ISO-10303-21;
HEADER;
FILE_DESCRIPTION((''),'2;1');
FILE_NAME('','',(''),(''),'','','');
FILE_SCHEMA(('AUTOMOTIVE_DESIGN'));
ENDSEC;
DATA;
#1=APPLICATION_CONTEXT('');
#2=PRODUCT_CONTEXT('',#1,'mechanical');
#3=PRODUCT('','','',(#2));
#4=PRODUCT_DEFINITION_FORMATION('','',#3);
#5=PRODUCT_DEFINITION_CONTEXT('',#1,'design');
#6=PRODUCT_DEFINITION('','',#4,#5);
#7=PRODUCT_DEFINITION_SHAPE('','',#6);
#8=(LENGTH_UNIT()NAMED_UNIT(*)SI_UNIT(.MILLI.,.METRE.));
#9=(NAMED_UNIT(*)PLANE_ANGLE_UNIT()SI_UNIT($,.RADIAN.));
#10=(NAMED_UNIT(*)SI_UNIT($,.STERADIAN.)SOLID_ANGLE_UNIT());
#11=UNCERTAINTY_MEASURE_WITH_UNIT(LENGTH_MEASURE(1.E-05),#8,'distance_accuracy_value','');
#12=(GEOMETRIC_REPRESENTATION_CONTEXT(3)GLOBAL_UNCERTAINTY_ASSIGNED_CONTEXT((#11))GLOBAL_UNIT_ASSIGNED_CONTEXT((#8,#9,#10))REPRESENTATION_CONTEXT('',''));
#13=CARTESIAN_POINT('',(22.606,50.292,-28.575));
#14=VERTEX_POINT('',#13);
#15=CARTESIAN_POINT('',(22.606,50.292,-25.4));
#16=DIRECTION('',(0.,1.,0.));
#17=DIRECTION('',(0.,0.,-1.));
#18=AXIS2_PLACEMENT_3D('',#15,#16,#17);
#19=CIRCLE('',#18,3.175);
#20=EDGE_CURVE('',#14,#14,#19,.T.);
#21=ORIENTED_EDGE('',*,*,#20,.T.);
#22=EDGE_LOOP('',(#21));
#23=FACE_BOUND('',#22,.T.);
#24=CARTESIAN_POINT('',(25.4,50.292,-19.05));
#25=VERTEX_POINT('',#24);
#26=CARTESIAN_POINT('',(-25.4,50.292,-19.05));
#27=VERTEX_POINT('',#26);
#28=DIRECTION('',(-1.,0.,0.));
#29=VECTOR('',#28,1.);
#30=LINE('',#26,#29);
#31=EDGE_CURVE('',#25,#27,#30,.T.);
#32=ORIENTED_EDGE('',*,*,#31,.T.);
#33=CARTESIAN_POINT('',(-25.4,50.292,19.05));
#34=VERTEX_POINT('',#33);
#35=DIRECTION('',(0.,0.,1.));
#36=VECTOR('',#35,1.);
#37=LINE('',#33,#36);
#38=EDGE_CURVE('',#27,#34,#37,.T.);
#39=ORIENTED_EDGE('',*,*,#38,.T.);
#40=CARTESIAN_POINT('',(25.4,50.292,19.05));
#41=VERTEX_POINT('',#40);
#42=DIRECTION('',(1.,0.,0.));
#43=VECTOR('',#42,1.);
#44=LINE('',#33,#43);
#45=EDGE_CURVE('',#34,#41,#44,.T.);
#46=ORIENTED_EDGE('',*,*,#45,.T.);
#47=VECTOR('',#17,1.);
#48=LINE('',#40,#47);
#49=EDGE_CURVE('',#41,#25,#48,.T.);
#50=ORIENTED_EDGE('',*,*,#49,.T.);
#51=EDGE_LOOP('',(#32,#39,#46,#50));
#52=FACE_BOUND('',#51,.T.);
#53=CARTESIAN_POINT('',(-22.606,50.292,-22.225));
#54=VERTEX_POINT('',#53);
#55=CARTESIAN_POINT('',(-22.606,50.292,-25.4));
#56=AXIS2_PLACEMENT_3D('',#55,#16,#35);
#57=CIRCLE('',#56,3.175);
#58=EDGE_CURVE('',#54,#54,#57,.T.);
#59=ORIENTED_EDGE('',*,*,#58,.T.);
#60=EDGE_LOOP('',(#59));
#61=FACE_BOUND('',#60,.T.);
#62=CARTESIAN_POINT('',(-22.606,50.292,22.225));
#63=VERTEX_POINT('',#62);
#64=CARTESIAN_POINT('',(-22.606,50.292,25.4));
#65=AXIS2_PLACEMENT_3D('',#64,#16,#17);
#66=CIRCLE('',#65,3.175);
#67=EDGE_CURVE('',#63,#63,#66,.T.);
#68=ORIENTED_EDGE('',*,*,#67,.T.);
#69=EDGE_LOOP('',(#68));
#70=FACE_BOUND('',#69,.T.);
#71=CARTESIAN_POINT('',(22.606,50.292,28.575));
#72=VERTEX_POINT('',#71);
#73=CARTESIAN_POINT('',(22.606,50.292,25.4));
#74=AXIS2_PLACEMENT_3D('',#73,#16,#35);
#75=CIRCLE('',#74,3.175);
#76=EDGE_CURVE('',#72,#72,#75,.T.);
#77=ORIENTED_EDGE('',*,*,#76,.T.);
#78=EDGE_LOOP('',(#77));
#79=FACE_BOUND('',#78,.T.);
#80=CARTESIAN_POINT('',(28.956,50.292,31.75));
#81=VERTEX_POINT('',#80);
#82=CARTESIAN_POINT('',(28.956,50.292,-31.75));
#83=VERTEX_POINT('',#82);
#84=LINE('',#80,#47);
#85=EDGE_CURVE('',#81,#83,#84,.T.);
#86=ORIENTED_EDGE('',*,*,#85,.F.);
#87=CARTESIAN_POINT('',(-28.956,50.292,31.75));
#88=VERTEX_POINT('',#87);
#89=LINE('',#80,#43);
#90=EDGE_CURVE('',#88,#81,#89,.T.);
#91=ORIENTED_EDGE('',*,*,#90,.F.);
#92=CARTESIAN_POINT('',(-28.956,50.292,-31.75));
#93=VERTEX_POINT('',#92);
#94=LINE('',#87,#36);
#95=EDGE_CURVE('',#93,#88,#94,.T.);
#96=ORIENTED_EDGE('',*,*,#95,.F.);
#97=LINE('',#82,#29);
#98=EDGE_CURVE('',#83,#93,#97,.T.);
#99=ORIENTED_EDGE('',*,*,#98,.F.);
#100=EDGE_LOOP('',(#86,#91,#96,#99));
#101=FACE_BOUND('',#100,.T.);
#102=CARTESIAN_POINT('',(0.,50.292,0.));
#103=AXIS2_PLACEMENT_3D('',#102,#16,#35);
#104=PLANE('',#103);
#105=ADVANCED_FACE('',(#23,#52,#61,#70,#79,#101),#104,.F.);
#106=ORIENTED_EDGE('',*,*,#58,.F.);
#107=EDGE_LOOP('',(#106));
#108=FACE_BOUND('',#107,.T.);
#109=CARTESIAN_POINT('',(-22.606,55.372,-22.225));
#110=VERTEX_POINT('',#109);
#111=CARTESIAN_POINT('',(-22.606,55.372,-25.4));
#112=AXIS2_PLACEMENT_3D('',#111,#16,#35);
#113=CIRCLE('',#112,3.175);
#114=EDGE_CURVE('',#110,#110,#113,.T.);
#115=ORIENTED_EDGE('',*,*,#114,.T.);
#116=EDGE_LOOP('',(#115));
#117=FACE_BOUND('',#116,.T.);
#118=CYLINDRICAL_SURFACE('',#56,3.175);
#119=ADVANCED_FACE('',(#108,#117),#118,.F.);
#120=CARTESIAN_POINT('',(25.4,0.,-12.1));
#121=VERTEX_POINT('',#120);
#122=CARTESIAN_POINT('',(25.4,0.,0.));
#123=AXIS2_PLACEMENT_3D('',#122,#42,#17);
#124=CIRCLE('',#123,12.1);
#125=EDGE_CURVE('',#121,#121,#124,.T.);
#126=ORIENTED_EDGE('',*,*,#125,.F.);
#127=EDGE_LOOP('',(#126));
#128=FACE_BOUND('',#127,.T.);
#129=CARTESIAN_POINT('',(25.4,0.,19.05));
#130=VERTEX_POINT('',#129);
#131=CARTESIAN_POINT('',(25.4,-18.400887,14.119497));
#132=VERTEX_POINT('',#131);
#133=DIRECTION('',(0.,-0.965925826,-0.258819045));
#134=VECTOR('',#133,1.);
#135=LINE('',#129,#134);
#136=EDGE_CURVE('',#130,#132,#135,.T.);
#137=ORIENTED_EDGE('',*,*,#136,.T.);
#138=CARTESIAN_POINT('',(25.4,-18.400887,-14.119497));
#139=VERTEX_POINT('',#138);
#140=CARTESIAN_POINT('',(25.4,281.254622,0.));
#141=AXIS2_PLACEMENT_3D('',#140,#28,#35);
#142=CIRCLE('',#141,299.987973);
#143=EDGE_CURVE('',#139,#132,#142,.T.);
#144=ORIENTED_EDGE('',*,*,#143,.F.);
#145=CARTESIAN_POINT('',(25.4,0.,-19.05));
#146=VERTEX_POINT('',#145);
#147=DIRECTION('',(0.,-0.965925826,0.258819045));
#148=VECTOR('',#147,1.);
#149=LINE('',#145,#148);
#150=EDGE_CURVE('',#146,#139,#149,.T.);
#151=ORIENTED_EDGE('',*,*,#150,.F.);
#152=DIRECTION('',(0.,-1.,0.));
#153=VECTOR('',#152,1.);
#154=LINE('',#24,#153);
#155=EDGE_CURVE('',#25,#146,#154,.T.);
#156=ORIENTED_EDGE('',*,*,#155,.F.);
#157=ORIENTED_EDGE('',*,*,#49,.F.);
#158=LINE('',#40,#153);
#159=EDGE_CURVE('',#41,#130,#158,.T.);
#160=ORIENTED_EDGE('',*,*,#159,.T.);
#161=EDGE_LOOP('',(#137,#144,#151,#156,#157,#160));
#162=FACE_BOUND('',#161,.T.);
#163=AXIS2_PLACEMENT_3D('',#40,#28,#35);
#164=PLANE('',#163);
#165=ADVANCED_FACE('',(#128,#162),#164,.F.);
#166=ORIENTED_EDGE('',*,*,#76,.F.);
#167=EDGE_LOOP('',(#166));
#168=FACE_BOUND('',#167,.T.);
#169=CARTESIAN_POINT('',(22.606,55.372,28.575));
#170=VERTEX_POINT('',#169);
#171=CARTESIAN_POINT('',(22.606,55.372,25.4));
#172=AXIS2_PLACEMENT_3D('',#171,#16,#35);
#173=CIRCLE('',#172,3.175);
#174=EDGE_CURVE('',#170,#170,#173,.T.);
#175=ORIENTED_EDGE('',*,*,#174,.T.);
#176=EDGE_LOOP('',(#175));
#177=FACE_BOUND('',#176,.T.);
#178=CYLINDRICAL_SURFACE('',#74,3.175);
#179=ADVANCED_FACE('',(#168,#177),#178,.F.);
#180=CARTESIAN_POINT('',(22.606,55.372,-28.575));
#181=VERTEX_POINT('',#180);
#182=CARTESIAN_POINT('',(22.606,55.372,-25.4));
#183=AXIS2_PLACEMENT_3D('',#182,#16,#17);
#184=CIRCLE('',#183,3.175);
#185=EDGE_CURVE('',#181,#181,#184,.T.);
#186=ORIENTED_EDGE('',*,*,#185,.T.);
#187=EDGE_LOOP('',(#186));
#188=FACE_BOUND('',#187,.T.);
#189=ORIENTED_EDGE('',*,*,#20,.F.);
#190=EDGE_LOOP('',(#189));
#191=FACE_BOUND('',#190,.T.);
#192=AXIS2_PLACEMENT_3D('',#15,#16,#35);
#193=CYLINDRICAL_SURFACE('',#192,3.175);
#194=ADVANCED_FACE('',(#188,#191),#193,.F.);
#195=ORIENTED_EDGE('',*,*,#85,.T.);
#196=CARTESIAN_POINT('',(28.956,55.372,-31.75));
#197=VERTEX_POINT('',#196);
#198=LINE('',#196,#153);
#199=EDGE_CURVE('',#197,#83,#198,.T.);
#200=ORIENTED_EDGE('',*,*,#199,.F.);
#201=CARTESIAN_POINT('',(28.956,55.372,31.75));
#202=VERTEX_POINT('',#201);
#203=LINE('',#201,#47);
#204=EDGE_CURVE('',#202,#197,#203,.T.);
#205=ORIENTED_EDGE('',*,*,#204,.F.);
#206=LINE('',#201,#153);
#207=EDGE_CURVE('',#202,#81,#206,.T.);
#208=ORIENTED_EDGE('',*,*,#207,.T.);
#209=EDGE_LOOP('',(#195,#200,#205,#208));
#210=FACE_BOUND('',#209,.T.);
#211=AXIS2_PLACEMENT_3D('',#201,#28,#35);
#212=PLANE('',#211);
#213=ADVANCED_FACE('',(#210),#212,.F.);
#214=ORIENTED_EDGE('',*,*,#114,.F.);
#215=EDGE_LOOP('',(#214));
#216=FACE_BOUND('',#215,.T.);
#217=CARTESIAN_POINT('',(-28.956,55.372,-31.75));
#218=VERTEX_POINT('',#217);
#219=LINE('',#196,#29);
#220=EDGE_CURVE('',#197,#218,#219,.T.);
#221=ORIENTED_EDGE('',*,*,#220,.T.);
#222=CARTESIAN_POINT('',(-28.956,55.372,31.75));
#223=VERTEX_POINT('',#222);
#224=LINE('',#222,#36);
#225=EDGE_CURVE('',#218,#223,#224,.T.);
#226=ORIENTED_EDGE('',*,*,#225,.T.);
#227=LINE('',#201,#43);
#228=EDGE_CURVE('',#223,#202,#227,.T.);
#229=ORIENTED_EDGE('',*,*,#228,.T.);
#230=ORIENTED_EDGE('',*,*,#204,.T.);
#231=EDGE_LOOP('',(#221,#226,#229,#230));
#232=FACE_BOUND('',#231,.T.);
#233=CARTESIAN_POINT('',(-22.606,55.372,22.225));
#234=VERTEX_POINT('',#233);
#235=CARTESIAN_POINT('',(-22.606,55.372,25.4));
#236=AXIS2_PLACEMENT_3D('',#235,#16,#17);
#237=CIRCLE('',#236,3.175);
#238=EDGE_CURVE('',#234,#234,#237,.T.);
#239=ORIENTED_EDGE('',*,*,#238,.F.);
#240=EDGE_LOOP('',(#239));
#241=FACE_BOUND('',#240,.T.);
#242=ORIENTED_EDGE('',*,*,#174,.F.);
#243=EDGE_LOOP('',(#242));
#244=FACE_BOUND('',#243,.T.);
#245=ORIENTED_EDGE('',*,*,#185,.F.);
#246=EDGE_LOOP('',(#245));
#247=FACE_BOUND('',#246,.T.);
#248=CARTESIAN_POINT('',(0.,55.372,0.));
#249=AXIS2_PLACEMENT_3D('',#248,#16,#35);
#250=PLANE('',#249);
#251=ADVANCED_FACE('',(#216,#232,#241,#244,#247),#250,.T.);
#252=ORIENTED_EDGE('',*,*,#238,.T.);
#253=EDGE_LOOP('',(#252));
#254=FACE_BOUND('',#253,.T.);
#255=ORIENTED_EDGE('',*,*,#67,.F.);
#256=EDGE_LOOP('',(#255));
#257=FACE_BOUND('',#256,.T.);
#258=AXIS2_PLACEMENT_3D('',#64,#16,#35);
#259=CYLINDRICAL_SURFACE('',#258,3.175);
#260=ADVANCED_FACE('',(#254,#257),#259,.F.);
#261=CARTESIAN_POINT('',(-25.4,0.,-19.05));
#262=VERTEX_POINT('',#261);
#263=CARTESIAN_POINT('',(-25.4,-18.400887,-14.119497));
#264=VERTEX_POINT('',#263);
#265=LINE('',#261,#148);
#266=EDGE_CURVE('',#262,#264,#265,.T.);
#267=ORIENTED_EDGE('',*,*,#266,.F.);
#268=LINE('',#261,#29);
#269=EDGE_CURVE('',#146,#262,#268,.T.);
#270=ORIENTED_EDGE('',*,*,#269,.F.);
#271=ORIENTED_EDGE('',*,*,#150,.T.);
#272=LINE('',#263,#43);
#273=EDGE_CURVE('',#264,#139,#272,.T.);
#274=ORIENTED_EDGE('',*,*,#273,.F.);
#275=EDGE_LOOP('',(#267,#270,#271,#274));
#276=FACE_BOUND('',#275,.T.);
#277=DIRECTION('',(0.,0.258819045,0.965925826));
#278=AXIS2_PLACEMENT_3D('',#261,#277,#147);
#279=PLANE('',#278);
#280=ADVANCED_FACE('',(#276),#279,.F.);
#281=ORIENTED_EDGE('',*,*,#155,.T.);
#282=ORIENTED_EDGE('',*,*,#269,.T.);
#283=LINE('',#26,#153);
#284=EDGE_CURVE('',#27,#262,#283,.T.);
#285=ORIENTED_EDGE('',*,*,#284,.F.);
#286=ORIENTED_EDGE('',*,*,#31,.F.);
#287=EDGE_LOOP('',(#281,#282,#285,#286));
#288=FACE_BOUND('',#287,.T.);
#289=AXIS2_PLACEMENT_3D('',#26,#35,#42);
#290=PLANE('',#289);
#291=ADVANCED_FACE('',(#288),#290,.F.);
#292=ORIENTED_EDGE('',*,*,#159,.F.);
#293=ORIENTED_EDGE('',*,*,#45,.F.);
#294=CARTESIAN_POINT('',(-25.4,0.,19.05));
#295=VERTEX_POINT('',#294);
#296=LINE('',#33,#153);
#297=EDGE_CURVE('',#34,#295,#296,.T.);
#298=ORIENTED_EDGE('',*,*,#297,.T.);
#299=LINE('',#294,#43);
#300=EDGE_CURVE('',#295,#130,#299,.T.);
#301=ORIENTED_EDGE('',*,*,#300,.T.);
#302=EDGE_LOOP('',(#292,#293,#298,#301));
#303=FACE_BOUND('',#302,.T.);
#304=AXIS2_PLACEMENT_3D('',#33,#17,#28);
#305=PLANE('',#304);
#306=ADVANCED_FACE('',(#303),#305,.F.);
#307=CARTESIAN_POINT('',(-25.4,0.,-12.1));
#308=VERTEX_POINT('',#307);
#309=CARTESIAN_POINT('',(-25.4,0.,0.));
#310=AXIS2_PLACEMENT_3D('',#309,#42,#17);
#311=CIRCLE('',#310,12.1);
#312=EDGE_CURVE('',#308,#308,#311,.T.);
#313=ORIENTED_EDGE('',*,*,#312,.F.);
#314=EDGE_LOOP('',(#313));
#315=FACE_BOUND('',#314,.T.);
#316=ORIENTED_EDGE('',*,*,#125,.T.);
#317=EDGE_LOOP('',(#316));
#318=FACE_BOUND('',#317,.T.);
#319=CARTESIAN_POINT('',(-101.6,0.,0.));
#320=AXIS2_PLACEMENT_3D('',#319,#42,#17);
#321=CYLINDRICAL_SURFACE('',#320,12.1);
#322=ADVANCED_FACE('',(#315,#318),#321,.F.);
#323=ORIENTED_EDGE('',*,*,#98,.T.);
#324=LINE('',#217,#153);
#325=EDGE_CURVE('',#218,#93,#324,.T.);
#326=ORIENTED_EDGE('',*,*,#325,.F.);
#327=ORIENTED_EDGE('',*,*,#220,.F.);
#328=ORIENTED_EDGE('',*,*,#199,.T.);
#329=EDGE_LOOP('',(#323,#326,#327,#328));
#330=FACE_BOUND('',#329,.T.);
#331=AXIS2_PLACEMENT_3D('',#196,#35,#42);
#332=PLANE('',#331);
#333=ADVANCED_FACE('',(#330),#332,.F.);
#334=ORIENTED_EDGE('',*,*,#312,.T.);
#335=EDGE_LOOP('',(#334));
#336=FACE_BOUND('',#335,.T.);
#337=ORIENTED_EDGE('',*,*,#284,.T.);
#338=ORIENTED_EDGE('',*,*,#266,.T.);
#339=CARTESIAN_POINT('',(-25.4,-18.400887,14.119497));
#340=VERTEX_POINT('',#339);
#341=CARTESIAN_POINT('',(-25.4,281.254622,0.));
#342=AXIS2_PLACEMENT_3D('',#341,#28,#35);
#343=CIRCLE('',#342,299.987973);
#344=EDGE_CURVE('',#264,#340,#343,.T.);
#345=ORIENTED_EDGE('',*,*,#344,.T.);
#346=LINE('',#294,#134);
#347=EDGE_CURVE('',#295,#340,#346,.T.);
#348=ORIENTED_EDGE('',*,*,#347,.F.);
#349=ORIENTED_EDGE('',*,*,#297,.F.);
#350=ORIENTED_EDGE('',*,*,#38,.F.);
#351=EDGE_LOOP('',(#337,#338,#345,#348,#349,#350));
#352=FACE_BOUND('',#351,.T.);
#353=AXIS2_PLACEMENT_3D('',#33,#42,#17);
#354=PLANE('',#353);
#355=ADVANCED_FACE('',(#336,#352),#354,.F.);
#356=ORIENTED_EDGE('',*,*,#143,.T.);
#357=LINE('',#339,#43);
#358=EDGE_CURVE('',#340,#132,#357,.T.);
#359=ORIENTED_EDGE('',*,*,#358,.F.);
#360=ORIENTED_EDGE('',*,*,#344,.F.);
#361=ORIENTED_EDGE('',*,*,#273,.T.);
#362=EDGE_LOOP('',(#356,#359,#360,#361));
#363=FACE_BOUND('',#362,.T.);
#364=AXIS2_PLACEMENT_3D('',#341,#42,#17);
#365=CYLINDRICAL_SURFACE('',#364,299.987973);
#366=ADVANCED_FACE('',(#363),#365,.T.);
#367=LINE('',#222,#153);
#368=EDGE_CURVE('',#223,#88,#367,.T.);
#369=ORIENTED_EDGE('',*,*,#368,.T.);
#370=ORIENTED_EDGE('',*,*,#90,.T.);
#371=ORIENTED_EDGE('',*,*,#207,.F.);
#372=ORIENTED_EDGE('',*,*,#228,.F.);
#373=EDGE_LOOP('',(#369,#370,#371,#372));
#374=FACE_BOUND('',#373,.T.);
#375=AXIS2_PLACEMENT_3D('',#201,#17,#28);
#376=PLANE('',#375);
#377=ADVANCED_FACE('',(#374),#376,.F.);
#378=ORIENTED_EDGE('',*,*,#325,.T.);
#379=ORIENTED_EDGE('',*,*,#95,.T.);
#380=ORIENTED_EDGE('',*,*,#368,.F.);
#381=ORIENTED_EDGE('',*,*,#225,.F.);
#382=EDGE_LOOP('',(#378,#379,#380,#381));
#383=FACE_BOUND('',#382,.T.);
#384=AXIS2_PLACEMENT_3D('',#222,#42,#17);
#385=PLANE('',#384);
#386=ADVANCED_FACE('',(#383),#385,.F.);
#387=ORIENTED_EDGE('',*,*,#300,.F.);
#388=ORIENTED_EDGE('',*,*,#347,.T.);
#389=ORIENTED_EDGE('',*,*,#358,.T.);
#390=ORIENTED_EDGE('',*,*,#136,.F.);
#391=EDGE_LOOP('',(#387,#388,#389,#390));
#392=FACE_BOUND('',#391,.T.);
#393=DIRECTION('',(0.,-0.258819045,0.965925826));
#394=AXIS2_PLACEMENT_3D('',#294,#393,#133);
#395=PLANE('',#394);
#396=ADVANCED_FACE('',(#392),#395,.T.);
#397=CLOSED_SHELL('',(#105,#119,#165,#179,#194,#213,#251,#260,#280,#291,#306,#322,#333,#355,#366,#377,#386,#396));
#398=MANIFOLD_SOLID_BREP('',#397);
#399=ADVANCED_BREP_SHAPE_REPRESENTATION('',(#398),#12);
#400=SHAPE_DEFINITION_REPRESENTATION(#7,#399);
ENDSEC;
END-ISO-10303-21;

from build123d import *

# Parameters (mm, degrees)
SKETCH1_W           = 50.8
SKETCH1_H           = 38.1
BOSS_EXTRUDE1_DEPTH = 50.292
BOSS_EXTRUDE2_DEPTH = 50.8
SKETCH3_R           = 12.1
CUT_EXTRUDE1_DEPTH  = 127
SKETCH4_W           = 57.912
SKETCH4_H           = 63.5
BOSS_EXTRUDE3_DEPTH = 5.08
SKETCH5_R           = 3.175
CUT_EXTRUDE2_DEPTH  = 5.08


with BuildPart() as part:
    # Sketch1 → Boss-Extrude1 (new body)
    with BuildSketch(Plane(origin=(0, 0, 0), x_dir=(1, 0, 0), z_dir=(0, 1, 0))):
        Rectangle(SKETCH1_W, SKETCH1_H)
    extrude(amount=BOSS_EXTRUDE1_DEPTH)

    # Sketch2 → Boss-Extrude2 (add)
    with BuildSketch(Plane(origin=(25.4, 0, 0), x_dir=(0, 0, -1), z_dir=(1, 0, 0))):
        with BuildLine():
            Line((-19.05, 0), (-14.119497191, -18.400886991))
            ThreePointArc((-14.119497191, -18.400886991), (0, -18.733351542), (14.119497191, -18.400886991))
            Line((14.119497191, -18.400886991), (19.05, 0))
            Line((19.05, 0), (-19.05, 0))
        make_face()
    extrude(amount=-BOSS_EXTRUDE2_DEPTH)

    # Sketch3 → Cut-Extrude1 (cut)
    with BuildSketch(Plane(origin=(25.4, 0, 0), x_dir=(0, 0, -1), z_dir=(1, 0, 0))):
        Circle(SKETCH3_R)
    extrude(amount=-CUT_EXTRUDE1_DEPTH, mode=Mode.SUBTRACT)

    # Sketch4 → Boss-Extrude3 (add)
    with BuildSketch(Plane(origin=(0, 50.292, 0), x_dir=(1, 0, 0), z_dir=(0, 1, 0))):
        Rectangle(SKETCH4_W, SKETCH4_H)
    extrude(amount=BOSS_EXTRUDE3_DEPTH)

    # Sketch5 → Cut-Extrude2 (cut)
    with BuildSketch(Plane(origin=(0, 55.372, 0), x_dir=(1, 0, 0), z_dir=(0, 1, 0))):
        with Locations((-22.606, 25.4)):
            Circle(SKETCH5_R)
        with Locations((-22.606, -25.4)):
            Circle(SKETCH5_R)
        with Locations((22.606, 25.4)):
            Circle(SKETCH5_R)
        with Locations((22.606, -25.4)):
            Circle(SKETCH5_R)
    extrude(amount=-CUT_EXTRUDE2_DEPTH, mode=Mode.SUBTRACT)


solid = part.part
